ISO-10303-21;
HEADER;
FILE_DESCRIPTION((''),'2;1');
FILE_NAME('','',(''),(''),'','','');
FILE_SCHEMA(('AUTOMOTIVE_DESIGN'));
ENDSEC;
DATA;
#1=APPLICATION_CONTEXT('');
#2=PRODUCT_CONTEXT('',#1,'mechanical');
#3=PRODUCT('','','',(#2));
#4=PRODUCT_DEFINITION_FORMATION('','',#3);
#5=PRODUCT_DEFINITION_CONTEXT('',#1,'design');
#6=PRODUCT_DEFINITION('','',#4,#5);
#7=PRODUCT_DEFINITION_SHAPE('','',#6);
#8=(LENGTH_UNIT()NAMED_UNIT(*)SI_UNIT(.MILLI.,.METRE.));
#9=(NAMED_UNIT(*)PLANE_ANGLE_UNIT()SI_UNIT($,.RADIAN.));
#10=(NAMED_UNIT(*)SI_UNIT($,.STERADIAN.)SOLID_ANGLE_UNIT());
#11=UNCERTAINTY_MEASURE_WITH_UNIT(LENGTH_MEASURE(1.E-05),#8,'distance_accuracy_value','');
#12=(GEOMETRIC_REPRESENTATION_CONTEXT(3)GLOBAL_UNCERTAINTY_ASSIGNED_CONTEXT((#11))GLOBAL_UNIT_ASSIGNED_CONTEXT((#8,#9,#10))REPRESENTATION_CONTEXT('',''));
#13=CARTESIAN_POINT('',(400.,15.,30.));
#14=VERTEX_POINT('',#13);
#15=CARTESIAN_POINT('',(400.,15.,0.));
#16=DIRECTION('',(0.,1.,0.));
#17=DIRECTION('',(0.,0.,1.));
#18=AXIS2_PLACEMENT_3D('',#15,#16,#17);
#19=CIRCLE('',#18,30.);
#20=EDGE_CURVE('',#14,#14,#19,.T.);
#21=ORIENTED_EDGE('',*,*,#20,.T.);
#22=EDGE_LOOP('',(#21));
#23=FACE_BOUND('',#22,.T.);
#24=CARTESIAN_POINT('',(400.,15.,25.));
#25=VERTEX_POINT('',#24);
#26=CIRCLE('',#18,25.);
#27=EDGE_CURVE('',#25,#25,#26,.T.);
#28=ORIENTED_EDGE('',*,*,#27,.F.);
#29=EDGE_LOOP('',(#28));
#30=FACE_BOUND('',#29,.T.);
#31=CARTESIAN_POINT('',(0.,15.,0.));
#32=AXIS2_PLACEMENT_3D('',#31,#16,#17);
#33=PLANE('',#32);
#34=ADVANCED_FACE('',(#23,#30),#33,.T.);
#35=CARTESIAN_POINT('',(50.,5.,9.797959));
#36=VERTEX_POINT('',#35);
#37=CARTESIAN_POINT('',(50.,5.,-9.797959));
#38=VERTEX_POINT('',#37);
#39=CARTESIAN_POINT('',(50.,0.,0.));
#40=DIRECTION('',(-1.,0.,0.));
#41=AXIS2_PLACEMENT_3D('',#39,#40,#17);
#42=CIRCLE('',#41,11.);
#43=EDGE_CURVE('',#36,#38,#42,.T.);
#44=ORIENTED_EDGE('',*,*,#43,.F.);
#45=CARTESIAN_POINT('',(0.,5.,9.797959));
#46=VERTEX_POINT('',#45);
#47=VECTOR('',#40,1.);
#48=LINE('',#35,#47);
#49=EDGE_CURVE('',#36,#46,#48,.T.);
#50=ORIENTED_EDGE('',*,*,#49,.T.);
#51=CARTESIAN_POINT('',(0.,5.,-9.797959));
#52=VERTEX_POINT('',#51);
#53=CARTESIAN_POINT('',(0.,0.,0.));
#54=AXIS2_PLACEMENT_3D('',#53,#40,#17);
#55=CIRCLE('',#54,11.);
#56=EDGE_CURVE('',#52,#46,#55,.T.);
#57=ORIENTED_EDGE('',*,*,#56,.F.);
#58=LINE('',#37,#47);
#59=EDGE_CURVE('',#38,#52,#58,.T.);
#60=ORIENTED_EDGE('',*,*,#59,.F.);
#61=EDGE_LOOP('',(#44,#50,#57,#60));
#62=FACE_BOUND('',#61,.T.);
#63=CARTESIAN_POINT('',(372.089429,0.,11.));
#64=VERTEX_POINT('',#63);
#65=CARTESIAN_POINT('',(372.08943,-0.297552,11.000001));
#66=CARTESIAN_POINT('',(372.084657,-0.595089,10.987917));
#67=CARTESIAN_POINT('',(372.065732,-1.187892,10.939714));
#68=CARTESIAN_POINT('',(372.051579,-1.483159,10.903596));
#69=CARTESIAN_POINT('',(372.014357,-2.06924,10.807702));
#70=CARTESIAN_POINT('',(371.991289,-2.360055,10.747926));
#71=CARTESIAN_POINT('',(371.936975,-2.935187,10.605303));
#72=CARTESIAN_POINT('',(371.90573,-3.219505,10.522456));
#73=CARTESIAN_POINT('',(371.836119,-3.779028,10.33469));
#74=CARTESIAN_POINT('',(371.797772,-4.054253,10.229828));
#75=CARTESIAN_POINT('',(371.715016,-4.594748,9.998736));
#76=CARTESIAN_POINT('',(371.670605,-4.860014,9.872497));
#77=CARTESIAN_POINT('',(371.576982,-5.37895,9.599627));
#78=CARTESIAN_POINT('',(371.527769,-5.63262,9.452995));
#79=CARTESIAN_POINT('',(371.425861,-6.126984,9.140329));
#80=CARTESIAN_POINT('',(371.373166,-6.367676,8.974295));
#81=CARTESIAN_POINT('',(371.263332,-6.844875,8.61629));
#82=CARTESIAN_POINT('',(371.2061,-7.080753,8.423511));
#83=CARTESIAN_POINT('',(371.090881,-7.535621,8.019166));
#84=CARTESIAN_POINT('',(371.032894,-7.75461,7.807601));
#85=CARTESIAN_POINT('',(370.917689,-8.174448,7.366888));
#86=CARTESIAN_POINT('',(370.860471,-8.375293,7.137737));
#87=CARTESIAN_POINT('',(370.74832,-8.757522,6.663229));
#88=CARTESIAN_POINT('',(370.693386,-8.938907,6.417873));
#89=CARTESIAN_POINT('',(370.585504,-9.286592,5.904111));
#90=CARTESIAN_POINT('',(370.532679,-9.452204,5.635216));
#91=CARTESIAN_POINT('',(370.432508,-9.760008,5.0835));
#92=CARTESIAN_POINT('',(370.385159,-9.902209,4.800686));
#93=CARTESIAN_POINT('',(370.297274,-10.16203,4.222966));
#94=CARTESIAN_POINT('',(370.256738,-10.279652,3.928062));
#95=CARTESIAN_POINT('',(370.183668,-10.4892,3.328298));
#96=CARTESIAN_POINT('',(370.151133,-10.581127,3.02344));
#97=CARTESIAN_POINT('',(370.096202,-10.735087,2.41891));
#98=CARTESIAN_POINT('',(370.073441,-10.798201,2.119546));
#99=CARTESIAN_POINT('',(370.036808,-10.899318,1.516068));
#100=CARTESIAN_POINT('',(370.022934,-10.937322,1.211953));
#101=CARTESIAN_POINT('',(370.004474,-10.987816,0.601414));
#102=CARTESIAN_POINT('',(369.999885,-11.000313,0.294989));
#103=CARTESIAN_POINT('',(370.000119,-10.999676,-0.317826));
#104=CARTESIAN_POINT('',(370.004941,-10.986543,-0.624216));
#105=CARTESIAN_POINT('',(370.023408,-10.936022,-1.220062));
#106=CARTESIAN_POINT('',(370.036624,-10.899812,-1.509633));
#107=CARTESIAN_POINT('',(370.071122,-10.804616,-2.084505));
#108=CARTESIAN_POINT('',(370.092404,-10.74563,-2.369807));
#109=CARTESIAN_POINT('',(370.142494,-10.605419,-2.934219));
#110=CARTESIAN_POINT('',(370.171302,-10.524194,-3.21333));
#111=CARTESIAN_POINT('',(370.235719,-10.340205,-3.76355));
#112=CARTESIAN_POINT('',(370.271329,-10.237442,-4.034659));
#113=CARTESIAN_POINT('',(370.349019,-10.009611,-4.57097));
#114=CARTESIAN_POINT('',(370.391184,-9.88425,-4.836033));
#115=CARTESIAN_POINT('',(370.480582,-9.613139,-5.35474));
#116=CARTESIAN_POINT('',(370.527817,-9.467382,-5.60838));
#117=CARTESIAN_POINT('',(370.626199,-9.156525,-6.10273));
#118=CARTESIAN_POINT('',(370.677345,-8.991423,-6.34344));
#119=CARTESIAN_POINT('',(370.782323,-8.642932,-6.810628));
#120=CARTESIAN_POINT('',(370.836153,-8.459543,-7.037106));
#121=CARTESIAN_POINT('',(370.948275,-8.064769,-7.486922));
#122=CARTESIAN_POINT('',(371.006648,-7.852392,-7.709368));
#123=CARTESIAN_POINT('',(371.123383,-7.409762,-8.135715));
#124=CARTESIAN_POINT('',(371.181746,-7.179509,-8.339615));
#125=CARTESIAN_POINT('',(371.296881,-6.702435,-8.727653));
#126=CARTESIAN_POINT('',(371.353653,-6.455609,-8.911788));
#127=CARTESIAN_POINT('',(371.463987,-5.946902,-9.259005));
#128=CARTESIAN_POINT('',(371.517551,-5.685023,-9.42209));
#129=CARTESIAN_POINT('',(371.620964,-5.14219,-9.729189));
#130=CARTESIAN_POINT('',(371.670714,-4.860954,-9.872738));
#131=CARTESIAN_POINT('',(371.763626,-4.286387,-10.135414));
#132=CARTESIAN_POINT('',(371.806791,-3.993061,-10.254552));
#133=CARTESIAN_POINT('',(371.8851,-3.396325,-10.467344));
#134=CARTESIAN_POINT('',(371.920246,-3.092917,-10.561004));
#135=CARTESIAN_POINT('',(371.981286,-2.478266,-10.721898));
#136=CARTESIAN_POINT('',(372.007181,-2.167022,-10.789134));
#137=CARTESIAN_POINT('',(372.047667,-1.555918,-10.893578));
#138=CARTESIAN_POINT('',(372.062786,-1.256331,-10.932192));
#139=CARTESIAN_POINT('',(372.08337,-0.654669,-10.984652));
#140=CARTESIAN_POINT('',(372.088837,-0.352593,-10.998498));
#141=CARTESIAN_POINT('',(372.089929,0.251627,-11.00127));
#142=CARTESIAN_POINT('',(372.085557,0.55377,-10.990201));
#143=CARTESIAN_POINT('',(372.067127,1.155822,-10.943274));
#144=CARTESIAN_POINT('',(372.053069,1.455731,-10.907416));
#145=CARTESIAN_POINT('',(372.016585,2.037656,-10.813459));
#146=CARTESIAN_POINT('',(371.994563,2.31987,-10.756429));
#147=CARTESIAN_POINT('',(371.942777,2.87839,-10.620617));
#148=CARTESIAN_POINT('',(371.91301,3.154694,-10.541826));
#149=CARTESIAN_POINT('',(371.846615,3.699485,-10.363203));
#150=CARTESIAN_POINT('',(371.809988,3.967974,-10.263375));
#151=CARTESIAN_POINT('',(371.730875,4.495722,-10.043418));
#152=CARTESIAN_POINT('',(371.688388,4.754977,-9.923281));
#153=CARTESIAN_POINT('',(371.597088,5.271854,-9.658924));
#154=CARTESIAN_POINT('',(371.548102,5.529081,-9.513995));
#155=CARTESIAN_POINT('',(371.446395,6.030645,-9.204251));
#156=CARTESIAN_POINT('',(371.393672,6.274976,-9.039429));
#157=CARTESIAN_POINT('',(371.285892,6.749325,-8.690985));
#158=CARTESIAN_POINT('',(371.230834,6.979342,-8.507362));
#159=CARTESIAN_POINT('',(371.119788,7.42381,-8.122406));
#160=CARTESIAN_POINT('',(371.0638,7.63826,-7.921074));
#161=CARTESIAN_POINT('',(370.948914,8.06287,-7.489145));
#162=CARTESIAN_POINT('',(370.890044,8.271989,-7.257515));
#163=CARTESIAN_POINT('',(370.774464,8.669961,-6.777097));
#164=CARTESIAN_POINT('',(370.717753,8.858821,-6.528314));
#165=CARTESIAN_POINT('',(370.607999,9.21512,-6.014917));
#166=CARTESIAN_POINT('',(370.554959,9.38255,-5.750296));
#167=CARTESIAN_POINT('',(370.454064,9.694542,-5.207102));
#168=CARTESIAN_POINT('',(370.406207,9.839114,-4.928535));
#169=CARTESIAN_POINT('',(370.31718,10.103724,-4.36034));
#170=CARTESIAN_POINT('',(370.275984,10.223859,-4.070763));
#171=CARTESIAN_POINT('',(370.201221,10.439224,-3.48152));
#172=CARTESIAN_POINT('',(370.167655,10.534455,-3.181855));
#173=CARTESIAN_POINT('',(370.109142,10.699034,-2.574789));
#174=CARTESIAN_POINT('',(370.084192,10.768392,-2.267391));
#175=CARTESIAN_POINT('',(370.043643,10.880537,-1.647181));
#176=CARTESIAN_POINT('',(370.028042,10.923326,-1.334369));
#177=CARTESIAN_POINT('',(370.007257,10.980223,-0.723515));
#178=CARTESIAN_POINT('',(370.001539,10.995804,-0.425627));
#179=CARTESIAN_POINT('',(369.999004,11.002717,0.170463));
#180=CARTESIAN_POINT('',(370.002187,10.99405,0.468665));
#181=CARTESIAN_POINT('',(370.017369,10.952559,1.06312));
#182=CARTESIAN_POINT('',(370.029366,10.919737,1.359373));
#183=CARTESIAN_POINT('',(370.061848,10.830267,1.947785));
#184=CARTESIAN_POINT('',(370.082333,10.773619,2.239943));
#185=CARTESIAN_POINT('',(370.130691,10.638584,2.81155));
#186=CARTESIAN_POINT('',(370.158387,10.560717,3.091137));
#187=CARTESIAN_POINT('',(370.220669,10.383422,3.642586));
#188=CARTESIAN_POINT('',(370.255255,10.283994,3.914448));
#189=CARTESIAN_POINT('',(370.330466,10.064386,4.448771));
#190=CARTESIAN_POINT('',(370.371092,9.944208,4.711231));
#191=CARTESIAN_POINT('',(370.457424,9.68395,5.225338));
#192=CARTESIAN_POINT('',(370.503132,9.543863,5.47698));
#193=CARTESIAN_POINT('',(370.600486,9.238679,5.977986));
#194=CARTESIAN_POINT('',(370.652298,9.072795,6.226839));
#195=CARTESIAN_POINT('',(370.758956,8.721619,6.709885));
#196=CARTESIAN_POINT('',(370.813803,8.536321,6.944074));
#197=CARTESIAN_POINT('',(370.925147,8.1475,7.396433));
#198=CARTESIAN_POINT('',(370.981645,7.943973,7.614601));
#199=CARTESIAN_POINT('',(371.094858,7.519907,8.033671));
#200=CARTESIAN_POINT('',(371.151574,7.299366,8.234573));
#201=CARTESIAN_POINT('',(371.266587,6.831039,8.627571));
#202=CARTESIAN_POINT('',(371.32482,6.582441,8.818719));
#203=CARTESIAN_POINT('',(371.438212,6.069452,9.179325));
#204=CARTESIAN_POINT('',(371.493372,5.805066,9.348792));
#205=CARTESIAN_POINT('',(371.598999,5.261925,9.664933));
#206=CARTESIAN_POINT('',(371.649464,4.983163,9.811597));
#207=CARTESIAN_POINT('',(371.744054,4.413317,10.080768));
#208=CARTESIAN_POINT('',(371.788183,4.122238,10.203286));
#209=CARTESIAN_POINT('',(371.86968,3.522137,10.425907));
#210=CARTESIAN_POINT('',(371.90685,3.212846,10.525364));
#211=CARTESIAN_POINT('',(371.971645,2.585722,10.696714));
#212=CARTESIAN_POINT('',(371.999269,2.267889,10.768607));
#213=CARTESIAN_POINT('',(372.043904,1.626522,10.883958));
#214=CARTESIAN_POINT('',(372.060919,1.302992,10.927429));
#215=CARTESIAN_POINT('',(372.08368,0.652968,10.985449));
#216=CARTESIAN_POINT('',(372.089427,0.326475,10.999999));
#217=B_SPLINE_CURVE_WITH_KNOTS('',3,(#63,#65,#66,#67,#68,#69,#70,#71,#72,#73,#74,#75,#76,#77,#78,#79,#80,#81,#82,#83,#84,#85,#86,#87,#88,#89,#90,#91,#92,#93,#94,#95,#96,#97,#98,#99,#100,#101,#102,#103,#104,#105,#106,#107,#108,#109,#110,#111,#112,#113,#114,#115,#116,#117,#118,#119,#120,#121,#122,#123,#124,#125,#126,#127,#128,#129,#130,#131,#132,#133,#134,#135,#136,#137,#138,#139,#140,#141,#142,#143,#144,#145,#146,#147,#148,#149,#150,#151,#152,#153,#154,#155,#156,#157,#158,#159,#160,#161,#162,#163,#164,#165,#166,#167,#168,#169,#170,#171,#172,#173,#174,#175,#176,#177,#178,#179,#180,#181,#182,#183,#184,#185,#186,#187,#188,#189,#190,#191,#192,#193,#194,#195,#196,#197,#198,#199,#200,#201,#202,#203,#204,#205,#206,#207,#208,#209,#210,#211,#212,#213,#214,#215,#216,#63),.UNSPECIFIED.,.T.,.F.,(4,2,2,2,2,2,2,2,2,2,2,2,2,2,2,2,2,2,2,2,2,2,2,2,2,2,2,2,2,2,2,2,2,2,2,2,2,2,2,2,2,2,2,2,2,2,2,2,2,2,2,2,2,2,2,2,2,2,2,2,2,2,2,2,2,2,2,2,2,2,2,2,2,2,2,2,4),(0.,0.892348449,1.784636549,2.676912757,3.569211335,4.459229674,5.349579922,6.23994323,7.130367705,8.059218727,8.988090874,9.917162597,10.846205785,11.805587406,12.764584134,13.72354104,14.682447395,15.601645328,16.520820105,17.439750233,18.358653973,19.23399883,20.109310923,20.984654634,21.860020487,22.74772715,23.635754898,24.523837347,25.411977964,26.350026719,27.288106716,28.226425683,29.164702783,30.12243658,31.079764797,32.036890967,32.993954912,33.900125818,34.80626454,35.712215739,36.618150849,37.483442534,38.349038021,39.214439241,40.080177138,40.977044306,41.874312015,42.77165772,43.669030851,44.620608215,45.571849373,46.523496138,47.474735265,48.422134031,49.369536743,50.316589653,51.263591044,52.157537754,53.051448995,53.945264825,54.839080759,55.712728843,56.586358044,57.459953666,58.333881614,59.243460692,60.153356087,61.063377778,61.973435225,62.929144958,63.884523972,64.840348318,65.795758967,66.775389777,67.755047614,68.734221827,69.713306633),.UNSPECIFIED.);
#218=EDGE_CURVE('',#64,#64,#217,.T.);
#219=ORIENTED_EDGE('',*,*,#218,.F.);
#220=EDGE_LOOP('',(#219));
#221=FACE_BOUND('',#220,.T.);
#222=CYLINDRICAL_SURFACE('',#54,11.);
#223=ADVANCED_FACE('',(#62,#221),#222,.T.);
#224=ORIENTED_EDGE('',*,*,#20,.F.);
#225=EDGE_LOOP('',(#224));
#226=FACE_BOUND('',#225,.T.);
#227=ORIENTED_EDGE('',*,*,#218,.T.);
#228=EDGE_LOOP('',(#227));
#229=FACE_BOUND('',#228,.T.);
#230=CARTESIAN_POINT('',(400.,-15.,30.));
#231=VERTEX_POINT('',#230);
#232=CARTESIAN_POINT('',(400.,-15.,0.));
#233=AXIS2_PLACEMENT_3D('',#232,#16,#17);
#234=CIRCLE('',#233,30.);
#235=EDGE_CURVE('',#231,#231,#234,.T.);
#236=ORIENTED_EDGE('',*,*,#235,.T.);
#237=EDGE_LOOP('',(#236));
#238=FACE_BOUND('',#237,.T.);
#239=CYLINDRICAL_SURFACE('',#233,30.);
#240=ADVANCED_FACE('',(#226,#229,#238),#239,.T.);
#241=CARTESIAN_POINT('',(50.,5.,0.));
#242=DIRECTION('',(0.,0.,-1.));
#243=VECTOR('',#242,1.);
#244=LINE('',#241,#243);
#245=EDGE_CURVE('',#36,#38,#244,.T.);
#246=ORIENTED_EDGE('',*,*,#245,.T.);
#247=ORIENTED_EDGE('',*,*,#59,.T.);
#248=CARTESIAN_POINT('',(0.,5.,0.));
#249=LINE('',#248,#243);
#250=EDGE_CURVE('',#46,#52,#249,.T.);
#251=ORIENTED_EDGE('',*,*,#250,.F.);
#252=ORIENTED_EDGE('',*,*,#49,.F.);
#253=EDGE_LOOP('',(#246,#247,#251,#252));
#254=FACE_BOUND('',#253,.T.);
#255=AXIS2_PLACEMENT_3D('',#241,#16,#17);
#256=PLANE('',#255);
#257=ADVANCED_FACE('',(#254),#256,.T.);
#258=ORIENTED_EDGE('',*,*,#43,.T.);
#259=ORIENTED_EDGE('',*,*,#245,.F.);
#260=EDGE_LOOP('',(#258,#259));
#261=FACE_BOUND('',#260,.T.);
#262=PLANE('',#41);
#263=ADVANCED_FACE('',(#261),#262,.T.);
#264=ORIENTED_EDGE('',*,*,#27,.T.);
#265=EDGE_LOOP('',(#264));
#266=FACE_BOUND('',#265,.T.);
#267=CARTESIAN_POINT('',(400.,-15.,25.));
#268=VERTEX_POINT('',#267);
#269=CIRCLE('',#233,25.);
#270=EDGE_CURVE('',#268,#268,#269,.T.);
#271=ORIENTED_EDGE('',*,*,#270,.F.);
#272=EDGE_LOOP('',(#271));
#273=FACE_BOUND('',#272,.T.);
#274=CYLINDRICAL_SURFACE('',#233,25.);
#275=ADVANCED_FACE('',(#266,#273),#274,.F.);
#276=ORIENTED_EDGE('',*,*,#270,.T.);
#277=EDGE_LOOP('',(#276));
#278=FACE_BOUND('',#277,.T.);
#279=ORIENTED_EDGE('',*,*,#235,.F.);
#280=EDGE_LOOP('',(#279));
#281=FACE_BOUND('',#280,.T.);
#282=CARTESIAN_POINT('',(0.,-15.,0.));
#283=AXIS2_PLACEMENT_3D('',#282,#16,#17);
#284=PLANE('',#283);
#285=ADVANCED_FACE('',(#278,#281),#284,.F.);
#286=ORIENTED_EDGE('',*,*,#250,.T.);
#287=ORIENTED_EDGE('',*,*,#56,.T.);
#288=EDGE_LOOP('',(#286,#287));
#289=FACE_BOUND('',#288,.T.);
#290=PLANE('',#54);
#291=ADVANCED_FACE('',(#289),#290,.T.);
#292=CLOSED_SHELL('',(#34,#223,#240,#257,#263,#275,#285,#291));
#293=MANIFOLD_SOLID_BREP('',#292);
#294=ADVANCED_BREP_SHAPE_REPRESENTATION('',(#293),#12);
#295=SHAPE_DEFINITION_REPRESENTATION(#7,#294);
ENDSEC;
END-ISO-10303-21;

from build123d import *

# Parameters (mm, degrees)
BOSS_EXTRUDE1_DEPTH      = 15
BOSS_EXTRUDE1_DEPTH_BACK = 15
SKETCH1_3_R              = 30.000000000000046
SKETCH2_R                = 25.000000000000007
CUT_EXTRUDE1_DEPTH       = 30
CUT_EXTRUDE2_DEPTH       = 50


with BuildPart() as part:
    # Sketch1 → Revolve1 (revolve)
    with BuildSketch(Plane(origin=(0, 0, 0), x_dir=(1, 0, 0), z_dir=(0, 1, 0))):
        with BuildLine():
            Line((0, 10.999999999999996), (0, 0))
            Line((0, 0), (369.99999999999994, 0))
            ThreePointArc((369.99999999999994, 3.67e-15), (370.5269856969365, 5.598341530437239), (372.0894285260945, 11.000000000000714))
            Line((372.0894285260947, 10.999999999999996), (0, 10.999999999999996))
        make_face()
    revolve(axis=Axis((0, 0, 0), (1, 0, 0)))

    # Sketch1<3> → Boss-Extrude1 (add, two sides: drawn at the far end of the back side and taken through both)
    with BuildSketch(Plane(origin=(0, 0, 0), x_dir=(1, 0, 0), z_dir=(0, 1, 0)).offset(-BOSS_EXTRUDE1_DEPTH_BACK)):
        with Locations((400, -2.132e-14)):
            Circle(SKETCH1_3_R)
    extrude(amount=BOSS_EXTRUDE1_DEPTH + BOSS_EXTRUDE1_DEPTH_BACK)

    # Sketch2 → Cut-Extrude1 (cut)
    with BuildSketch(Plane(origin=(0, 15, 0), x_dir=(1, 0, 0), z_dir=(0, 1, 0))):
        with Locations((400, 0)):
            Circle(SKETCH2_R)
    extrude(amount=-CUT_EXTRUDE1_DEPTH, mode=Mode.SUBTRACT)

    # Sketch3 → Cut-Extrude2 (cut)
    with BuildSketch(Plane.ZY):
        with BuildLine():
            Line((-9.797958971132708, 5), (0, 5))
            Line((0, 5), (9.797958971132708, 5))
            ThreePointArc((9.797958971132708, 5), (6.7e-16, 10.999999999999996), (-9.797958971132706, 5.000000000000003))
        make_face()
    extrude(amount=-CUT_EXTRUDE2_DEPTH, mode=Mode.SUBTRACT)


solid = part.part
